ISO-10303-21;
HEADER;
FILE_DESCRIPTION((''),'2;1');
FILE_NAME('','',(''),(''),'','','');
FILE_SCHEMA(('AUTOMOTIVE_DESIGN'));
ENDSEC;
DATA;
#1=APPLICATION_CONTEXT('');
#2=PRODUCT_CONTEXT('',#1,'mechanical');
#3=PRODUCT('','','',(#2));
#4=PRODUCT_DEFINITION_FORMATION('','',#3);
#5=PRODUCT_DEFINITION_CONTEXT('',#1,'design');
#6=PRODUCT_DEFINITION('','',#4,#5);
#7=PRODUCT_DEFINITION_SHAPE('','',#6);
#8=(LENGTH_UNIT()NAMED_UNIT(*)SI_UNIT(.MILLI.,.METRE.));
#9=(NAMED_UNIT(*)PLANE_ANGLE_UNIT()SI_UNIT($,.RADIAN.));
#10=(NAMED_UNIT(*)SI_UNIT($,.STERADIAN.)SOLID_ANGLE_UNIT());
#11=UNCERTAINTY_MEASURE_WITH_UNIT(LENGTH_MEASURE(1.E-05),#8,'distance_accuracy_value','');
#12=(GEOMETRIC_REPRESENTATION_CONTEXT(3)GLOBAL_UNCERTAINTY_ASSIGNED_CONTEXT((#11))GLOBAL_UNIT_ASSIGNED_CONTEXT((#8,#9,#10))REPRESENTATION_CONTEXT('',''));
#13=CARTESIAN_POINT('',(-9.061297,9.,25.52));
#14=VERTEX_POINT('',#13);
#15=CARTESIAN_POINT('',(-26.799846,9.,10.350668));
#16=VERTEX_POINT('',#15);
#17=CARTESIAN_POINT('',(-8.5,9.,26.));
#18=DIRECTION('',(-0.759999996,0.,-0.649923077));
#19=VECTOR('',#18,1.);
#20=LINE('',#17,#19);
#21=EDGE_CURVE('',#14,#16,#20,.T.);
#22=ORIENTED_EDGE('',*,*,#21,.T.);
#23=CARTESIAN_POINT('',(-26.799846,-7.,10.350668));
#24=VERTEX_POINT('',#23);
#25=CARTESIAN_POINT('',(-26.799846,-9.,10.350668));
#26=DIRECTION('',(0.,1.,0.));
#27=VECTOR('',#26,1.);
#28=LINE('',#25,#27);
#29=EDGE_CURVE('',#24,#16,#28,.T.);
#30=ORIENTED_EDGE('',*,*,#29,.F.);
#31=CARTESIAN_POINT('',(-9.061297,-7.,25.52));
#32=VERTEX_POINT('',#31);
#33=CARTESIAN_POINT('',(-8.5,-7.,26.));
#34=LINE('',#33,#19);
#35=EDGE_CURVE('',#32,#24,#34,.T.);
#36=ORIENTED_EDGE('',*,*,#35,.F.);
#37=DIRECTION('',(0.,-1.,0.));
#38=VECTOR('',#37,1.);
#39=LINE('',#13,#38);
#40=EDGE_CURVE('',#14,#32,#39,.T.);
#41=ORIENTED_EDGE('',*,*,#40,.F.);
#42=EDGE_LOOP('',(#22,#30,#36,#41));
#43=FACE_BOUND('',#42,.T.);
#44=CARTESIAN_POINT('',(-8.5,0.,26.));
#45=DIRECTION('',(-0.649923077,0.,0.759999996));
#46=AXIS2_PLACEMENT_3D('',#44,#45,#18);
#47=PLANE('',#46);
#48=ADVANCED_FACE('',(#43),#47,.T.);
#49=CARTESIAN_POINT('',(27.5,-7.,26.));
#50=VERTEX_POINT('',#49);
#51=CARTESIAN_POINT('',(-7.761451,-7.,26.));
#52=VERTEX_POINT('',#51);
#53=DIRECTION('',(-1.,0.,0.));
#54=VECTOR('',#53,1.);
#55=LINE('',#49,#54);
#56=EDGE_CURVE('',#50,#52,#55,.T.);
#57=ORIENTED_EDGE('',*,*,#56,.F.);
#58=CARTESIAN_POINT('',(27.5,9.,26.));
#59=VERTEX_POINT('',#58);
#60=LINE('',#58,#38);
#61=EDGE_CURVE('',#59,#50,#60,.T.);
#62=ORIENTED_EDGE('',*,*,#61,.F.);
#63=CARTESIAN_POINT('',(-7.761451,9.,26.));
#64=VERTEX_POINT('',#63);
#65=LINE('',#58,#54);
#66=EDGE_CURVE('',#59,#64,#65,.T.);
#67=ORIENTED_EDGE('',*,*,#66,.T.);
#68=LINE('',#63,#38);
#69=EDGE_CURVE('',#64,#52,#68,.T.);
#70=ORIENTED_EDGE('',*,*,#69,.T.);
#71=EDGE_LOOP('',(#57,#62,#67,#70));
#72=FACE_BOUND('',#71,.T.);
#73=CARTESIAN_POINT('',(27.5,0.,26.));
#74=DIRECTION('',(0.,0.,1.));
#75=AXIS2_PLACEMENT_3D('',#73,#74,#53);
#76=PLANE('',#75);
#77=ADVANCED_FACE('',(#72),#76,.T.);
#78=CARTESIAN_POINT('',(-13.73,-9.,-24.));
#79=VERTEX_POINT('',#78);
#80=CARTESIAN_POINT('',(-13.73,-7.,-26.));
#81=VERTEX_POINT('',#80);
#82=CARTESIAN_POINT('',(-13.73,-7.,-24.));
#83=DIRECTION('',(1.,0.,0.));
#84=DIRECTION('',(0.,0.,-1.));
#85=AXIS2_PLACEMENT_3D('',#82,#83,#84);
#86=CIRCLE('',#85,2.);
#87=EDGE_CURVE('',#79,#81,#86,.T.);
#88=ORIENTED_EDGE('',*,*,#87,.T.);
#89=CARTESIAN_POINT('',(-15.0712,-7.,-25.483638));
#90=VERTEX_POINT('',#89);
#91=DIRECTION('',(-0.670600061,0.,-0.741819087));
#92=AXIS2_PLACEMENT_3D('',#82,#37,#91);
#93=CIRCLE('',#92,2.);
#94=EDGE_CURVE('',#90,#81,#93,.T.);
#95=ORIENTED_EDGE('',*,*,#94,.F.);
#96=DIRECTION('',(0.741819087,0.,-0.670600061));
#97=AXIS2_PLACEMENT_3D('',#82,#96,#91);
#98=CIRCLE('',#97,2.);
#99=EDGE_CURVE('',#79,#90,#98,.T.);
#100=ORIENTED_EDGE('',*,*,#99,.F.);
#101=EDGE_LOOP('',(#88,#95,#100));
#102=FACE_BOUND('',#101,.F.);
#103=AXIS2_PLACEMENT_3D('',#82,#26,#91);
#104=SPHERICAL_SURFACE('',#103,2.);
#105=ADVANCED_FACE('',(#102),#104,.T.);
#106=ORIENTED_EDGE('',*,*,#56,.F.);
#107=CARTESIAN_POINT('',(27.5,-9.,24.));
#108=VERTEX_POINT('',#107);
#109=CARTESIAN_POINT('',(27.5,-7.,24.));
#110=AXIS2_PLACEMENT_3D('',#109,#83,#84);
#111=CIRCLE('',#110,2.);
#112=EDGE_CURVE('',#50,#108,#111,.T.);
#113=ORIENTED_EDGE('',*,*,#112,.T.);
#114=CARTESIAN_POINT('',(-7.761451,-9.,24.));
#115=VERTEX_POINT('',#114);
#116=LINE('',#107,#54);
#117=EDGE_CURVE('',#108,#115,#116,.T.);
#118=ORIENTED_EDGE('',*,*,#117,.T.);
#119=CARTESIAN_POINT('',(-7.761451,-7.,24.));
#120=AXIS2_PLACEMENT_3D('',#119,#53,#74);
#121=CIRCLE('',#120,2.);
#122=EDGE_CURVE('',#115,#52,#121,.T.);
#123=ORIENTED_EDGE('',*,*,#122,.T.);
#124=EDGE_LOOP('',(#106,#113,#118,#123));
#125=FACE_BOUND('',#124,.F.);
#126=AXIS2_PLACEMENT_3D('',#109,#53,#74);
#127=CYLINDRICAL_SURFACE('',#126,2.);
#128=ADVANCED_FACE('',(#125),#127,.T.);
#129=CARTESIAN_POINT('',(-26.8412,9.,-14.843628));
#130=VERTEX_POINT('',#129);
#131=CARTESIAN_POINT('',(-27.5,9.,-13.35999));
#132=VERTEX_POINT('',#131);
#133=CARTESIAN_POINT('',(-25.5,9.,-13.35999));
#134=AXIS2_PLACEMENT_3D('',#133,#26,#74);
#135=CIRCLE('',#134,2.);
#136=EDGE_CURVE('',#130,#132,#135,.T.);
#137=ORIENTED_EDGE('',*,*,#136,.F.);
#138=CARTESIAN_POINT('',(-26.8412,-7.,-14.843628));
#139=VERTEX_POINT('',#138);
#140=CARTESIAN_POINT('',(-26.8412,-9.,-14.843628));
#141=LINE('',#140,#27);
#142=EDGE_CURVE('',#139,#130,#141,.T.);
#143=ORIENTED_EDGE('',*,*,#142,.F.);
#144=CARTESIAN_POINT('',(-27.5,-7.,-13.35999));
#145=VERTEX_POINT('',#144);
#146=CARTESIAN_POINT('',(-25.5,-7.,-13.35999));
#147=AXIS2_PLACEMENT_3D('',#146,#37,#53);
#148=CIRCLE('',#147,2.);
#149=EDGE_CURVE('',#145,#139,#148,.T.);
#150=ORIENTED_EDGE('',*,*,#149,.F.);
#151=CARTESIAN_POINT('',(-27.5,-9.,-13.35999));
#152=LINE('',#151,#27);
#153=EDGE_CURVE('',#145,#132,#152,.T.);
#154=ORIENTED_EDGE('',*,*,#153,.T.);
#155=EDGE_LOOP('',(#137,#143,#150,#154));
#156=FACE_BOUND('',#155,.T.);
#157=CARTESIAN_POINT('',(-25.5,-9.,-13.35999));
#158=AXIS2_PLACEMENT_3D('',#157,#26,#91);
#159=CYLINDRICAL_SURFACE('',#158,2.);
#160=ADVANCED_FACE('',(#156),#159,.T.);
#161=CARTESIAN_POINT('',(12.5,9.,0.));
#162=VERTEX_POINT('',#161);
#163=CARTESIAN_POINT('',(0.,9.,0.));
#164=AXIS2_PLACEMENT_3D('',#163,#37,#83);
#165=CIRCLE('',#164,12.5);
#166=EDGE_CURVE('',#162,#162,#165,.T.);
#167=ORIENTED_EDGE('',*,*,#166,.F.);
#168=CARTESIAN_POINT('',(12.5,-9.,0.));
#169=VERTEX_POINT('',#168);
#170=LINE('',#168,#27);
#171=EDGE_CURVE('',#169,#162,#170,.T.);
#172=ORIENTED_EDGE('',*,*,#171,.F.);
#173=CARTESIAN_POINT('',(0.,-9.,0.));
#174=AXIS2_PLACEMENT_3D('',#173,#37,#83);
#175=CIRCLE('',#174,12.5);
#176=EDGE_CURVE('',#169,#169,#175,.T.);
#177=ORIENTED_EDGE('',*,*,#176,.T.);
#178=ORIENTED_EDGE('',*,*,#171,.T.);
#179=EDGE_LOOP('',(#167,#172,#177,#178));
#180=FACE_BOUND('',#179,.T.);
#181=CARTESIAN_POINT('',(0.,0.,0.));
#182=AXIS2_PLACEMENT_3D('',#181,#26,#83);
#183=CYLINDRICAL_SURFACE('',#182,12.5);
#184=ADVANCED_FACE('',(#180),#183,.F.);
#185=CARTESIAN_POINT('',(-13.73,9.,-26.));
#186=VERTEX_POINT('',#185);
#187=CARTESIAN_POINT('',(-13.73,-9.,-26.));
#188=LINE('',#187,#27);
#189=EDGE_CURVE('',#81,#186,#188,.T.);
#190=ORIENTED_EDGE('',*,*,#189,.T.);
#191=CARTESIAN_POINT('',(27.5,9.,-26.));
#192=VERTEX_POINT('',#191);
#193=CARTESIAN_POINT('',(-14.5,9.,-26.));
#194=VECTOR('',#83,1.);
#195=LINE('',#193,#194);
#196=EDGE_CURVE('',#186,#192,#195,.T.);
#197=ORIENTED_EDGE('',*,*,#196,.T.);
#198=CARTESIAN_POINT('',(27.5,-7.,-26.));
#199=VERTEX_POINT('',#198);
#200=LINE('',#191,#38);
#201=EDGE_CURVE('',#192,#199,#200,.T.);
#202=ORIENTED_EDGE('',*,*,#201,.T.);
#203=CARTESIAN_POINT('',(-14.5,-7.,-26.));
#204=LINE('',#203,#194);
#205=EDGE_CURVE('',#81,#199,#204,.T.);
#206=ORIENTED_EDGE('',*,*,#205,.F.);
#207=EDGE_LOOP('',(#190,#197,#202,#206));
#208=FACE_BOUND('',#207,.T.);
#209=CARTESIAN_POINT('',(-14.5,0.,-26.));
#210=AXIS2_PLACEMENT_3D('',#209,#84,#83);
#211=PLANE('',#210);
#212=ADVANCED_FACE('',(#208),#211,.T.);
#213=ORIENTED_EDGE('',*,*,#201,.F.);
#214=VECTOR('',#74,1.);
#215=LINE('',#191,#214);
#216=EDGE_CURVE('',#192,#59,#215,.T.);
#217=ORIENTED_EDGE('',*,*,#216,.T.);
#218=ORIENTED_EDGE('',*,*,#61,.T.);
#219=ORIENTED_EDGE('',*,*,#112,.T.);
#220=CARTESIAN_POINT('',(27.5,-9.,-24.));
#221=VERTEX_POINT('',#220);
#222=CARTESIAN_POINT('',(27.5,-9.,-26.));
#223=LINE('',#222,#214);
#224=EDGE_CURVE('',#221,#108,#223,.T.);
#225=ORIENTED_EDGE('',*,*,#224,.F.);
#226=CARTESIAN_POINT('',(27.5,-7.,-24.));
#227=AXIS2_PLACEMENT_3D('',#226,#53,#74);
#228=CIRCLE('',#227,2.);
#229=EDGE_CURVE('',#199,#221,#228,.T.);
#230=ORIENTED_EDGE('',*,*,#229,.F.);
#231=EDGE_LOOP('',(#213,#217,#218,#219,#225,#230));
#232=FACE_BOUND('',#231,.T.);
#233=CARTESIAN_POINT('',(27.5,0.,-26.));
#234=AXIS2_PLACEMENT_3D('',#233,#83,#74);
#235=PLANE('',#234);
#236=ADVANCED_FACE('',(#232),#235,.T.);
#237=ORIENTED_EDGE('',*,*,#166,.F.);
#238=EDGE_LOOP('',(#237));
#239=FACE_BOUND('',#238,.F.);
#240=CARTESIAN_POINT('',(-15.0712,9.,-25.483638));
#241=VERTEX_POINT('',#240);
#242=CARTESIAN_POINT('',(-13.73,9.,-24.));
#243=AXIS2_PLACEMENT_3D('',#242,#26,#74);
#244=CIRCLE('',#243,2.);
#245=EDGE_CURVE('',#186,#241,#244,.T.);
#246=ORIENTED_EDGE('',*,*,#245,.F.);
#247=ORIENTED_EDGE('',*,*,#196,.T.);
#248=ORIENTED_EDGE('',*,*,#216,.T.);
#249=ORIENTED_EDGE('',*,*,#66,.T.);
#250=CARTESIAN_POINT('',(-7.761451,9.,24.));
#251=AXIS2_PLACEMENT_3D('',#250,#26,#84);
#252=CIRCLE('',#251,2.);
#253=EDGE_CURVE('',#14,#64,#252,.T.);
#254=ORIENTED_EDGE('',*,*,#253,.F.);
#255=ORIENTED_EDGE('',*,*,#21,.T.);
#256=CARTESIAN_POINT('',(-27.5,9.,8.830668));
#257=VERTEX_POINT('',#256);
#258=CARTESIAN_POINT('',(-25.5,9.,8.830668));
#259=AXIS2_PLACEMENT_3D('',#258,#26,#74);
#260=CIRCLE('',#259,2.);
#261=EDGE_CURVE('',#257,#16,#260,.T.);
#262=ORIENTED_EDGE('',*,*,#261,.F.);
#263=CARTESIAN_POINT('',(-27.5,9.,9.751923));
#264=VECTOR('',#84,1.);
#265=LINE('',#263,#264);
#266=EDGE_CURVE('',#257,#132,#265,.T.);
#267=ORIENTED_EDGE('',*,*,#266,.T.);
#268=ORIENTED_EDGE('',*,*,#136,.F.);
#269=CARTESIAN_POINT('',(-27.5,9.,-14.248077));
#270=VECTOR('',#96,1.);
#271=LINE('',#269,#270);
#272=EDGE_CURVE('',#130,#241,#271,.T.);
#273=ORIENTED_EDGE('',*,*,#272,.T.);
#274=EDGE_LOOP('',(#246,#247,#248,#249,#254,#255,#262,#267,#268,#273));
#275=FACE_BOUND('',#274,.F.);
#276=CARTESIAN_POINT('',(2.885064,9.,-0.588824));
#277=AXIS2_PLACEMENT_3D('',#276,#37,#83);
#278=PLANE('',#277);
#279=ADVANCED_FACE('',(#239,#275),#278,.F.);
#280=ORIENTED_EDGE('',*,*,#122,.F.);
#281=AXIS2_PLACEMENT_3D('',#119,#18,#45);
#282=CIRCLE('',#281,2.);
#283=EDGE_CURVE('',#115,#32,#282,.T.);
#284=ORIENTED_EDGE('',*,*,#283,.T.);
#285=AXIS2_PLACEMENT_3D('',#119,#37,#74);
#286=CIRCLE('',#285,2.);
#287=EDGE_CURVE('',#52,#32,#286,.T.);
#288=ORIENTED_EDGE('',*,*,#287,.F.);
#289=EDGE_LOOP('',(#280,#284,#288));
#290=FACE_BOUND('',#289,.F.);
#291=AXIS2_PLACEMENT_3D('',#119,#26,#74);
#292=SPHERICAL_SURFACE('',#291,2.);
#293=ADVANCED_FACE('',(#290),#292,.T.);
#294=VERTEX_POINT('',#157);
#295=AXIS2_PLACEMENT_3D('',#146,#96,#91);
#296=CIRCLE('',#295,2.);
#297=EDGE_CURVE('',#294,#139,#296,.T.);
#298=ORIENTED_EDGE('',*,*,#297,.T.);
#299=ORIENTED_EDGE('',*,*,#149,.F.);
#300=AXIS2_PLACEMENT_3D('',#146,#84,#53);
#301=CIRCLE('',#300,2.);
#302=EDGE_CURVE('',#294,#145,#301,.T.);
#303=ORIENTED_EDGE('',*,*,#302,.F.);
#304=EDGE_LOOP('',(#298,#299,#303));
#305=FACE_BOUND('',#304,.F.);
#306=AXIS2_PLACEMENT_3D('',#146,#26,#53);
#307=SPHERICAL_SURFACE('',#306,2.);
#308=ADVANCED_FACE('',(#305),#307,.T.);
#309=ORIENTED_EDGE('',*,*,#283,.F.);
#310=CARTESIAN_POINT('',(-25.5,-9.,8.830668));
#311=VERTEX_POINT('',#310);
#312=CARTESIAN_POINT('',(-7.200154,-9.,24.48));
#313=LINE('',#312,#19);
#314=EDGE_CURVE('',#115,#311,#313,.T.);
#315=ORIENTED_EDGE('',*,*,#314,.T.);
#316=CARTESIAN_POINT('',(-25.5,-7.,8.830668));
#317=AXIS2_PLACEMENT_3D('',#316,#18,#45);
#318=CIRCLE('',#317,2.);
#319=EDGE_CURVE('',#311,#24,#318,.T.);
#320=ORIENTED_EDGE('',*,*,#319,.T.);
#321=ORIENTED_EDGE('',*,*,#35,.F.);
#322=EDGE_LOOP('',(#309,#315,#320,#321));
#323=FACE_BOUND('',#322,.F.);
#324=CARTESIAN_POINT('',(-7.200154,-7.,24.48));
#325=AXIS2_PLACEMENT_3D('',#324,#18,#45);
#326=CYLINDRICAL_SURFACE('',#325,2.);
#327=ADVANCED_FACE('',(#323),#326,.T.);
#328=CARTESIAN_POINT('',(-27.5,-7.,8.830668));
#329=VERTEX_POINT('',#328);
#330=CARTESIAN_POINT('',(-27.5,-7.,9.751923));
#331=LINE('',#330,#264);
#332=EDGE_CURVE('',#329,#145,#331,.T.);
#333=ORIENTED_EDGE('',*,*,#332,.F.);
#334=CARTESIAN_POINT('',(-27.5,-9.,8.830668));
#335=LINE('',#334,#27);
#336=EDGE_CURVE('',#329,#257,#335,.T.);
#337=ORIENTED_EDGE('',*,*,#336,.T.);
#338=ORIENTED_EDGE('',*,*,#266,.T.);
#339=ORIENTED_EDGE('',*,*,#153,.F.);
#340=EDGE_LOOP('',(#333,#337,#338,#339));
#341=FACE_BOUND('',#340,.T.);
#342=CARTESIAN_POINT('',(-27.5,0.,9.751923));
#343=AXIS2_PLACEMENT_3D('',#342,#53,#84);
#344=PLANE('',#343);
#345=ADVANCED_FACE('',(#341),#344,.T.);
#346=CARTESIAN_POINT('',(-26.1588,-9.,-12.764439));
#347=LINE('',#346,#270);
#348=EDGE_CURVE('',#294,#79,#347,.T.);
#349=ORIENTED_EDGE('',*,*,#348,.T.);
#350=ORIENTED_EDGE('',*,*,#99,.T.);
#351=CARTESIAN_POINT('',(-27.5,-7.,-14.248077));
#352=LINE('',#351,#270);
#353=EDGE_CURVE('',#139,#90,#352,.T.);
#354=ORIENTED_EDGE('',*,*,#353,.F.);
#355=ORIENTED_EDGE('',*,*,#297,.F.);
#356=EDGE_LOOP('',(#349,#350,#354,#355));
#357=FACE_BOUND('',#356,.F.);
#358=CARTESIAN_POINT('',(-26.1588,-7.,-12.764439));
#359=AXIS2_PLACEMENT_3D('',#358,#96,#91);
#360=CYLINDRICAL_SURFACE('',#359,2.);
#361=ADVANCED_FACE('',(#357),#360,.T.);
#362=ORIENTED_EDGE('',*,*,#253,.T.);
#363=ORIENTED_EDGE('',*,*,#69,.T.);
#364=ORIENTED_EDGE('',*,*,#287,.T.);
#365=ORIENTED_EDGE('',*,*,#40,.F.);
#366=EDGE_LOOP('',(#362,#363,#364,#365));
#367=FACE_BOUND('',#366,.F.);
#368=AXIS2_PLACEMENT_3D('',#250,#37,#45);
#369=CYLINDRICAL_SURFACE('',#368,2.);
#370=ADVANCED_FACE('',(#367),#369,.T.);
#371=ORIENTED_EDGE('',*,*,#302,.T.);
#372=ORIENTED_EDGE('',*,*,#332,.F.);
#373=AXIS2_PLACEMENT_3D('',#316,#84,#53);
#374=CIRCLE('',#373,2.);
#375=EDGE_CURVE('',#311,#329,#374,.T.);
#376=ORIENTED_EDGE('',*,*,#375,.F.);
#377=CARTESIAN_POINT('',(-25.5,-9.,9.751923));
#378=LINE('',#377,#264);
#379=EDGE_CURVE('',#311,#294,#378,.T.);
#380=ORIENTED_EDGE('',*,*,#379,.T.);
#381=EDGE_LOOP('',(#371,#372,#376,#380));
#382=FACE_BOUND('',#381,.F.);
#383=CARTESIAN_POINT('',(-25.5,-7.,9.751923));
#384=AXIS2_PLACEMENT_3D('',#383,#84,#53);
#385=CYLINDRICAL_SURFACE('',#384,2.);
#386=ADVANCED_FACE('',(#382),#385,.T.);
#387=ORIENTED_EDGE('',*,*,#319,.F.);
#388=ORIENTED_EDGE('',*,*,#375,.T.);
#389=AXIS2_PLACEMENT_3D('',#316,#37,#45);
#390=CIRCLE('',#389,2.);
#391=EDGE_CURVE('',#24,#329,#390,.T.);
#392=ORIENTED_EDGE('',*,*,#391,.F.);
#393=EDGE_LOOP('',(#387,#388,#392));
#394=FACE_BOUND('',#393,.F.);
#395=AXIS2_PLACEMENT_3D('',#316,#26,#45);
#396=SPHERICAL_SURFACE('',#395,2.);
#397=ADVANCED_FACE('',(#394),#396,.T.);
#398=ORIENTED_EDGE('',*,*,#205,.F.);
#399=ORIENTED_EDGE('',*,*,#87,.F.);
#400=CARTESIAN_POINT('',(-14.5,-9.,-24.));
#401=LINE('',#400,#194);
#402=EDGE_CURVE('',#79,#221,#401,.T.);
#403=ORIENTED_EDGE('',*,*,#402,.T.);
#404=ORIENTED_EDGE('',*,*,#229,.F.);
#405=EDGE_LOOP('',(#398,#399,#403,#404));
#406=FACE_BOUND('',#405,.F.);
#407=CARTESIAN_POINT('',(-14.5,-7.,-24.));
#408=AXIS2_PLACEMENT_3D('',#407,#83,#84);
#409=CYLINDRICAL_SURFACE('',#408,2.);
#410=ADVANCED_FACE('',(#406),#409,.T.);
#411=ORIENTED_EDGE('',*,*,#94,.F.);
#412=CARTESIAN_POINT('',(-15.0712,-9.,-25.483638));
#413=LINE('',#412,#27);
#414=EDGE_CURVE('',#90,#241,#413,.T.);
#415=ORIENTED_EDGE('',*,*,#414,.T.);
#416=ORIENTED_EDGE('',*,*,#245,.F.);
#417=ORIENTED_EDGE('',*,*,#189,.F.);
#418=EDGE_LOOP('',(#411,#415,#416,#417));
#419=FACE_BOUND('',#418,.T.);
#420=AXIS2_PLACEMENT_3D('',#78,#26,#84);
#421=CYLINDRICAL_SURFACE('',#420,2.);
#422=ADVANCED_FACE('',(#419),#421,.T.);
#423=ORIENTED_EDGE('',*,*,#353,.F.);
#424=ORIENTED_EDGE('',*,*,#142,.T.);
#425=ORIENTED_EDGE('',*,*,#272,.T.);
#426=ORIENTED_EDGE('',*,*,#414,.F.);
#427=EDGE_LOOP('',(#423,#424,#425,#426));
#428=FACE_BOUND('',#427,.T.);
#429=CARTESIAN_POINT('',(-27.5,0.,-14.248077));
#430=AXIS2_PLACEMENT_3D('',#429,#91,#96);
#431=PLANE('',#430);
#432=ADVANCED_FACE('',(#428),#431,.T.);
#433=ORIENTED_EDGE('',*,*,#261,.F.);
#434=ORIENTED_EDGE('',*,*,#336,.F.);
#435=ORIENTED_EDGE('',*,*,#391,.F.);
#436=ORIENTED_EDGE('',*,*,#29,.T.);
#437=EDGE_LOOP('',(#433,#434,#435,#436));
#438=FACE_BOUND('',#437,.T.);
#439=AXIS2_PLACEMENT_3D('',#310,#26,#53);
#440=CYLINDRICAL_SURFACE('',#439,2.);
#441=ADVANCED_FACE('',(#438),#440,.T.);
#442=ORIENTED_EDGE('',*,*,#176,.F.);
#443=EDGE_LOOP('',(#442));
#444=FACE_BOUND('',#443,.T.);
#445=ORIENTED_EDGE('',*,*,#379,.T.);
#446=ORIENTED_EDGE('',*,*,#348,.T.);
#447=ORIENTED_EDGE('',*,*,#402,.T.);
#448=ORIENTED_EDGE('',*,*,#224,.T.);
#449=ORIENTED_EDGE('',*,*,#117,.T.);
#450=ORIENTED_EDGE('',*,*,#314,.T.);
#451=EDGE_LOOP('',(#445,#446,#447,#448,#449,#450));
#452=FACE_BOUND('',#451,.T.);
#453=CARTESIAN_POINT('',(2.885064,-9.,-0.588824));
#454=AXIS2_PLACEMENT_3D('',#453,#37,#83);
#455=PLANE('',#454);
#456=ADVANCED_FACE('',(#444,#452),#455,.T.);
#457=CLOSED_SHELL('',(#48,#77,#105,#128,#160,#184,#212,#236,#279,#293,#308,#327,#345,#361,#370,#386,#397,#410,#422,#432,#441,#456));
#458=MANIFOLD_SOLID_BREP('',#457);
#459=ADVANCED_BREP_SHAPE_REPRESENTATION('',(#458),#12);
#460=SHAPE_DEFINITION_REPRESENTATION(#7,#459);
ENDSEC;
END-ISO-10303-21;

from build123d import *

# Parameters (mm, degrees)
F0_R     = 12.5
F1_DEPTH = 9
F2_R     = 2


with BuildPart() as f1:
    # F0 (on Front) → F1 (new body, symmetric)
    with BuildSketch(Plane.XZ):
        Polygon((-14.5, -26), (27.5, -26), (27.5, 26), (-8.5, 26), (-27.5, 9.751923), (-27.5, -14.248077), align=None)
        Circle(F0_R, mode=Mode.SUBTRACT)
    extrude(amount=F1_DEPTH, both=True)

    # F2
    f2_edges = [f1.edges().sort_by_distance(p)[0] for p in [
        (9.5, -9, 26),
        (-18, -9, 17.875962),
        (-27.5, -9, -2.248077),
        (-21, -9, -20.124038),
        (6.5, -9, -26),
        (-8.5, 0, 26),
        (-27.5, 0, 9.751923),
        (-27.5, 0, -14.248077),
        (-14.5, 0, -26),
    ]]
    fillet(f2_edges, radius=F2_R)


solid = f1.part
